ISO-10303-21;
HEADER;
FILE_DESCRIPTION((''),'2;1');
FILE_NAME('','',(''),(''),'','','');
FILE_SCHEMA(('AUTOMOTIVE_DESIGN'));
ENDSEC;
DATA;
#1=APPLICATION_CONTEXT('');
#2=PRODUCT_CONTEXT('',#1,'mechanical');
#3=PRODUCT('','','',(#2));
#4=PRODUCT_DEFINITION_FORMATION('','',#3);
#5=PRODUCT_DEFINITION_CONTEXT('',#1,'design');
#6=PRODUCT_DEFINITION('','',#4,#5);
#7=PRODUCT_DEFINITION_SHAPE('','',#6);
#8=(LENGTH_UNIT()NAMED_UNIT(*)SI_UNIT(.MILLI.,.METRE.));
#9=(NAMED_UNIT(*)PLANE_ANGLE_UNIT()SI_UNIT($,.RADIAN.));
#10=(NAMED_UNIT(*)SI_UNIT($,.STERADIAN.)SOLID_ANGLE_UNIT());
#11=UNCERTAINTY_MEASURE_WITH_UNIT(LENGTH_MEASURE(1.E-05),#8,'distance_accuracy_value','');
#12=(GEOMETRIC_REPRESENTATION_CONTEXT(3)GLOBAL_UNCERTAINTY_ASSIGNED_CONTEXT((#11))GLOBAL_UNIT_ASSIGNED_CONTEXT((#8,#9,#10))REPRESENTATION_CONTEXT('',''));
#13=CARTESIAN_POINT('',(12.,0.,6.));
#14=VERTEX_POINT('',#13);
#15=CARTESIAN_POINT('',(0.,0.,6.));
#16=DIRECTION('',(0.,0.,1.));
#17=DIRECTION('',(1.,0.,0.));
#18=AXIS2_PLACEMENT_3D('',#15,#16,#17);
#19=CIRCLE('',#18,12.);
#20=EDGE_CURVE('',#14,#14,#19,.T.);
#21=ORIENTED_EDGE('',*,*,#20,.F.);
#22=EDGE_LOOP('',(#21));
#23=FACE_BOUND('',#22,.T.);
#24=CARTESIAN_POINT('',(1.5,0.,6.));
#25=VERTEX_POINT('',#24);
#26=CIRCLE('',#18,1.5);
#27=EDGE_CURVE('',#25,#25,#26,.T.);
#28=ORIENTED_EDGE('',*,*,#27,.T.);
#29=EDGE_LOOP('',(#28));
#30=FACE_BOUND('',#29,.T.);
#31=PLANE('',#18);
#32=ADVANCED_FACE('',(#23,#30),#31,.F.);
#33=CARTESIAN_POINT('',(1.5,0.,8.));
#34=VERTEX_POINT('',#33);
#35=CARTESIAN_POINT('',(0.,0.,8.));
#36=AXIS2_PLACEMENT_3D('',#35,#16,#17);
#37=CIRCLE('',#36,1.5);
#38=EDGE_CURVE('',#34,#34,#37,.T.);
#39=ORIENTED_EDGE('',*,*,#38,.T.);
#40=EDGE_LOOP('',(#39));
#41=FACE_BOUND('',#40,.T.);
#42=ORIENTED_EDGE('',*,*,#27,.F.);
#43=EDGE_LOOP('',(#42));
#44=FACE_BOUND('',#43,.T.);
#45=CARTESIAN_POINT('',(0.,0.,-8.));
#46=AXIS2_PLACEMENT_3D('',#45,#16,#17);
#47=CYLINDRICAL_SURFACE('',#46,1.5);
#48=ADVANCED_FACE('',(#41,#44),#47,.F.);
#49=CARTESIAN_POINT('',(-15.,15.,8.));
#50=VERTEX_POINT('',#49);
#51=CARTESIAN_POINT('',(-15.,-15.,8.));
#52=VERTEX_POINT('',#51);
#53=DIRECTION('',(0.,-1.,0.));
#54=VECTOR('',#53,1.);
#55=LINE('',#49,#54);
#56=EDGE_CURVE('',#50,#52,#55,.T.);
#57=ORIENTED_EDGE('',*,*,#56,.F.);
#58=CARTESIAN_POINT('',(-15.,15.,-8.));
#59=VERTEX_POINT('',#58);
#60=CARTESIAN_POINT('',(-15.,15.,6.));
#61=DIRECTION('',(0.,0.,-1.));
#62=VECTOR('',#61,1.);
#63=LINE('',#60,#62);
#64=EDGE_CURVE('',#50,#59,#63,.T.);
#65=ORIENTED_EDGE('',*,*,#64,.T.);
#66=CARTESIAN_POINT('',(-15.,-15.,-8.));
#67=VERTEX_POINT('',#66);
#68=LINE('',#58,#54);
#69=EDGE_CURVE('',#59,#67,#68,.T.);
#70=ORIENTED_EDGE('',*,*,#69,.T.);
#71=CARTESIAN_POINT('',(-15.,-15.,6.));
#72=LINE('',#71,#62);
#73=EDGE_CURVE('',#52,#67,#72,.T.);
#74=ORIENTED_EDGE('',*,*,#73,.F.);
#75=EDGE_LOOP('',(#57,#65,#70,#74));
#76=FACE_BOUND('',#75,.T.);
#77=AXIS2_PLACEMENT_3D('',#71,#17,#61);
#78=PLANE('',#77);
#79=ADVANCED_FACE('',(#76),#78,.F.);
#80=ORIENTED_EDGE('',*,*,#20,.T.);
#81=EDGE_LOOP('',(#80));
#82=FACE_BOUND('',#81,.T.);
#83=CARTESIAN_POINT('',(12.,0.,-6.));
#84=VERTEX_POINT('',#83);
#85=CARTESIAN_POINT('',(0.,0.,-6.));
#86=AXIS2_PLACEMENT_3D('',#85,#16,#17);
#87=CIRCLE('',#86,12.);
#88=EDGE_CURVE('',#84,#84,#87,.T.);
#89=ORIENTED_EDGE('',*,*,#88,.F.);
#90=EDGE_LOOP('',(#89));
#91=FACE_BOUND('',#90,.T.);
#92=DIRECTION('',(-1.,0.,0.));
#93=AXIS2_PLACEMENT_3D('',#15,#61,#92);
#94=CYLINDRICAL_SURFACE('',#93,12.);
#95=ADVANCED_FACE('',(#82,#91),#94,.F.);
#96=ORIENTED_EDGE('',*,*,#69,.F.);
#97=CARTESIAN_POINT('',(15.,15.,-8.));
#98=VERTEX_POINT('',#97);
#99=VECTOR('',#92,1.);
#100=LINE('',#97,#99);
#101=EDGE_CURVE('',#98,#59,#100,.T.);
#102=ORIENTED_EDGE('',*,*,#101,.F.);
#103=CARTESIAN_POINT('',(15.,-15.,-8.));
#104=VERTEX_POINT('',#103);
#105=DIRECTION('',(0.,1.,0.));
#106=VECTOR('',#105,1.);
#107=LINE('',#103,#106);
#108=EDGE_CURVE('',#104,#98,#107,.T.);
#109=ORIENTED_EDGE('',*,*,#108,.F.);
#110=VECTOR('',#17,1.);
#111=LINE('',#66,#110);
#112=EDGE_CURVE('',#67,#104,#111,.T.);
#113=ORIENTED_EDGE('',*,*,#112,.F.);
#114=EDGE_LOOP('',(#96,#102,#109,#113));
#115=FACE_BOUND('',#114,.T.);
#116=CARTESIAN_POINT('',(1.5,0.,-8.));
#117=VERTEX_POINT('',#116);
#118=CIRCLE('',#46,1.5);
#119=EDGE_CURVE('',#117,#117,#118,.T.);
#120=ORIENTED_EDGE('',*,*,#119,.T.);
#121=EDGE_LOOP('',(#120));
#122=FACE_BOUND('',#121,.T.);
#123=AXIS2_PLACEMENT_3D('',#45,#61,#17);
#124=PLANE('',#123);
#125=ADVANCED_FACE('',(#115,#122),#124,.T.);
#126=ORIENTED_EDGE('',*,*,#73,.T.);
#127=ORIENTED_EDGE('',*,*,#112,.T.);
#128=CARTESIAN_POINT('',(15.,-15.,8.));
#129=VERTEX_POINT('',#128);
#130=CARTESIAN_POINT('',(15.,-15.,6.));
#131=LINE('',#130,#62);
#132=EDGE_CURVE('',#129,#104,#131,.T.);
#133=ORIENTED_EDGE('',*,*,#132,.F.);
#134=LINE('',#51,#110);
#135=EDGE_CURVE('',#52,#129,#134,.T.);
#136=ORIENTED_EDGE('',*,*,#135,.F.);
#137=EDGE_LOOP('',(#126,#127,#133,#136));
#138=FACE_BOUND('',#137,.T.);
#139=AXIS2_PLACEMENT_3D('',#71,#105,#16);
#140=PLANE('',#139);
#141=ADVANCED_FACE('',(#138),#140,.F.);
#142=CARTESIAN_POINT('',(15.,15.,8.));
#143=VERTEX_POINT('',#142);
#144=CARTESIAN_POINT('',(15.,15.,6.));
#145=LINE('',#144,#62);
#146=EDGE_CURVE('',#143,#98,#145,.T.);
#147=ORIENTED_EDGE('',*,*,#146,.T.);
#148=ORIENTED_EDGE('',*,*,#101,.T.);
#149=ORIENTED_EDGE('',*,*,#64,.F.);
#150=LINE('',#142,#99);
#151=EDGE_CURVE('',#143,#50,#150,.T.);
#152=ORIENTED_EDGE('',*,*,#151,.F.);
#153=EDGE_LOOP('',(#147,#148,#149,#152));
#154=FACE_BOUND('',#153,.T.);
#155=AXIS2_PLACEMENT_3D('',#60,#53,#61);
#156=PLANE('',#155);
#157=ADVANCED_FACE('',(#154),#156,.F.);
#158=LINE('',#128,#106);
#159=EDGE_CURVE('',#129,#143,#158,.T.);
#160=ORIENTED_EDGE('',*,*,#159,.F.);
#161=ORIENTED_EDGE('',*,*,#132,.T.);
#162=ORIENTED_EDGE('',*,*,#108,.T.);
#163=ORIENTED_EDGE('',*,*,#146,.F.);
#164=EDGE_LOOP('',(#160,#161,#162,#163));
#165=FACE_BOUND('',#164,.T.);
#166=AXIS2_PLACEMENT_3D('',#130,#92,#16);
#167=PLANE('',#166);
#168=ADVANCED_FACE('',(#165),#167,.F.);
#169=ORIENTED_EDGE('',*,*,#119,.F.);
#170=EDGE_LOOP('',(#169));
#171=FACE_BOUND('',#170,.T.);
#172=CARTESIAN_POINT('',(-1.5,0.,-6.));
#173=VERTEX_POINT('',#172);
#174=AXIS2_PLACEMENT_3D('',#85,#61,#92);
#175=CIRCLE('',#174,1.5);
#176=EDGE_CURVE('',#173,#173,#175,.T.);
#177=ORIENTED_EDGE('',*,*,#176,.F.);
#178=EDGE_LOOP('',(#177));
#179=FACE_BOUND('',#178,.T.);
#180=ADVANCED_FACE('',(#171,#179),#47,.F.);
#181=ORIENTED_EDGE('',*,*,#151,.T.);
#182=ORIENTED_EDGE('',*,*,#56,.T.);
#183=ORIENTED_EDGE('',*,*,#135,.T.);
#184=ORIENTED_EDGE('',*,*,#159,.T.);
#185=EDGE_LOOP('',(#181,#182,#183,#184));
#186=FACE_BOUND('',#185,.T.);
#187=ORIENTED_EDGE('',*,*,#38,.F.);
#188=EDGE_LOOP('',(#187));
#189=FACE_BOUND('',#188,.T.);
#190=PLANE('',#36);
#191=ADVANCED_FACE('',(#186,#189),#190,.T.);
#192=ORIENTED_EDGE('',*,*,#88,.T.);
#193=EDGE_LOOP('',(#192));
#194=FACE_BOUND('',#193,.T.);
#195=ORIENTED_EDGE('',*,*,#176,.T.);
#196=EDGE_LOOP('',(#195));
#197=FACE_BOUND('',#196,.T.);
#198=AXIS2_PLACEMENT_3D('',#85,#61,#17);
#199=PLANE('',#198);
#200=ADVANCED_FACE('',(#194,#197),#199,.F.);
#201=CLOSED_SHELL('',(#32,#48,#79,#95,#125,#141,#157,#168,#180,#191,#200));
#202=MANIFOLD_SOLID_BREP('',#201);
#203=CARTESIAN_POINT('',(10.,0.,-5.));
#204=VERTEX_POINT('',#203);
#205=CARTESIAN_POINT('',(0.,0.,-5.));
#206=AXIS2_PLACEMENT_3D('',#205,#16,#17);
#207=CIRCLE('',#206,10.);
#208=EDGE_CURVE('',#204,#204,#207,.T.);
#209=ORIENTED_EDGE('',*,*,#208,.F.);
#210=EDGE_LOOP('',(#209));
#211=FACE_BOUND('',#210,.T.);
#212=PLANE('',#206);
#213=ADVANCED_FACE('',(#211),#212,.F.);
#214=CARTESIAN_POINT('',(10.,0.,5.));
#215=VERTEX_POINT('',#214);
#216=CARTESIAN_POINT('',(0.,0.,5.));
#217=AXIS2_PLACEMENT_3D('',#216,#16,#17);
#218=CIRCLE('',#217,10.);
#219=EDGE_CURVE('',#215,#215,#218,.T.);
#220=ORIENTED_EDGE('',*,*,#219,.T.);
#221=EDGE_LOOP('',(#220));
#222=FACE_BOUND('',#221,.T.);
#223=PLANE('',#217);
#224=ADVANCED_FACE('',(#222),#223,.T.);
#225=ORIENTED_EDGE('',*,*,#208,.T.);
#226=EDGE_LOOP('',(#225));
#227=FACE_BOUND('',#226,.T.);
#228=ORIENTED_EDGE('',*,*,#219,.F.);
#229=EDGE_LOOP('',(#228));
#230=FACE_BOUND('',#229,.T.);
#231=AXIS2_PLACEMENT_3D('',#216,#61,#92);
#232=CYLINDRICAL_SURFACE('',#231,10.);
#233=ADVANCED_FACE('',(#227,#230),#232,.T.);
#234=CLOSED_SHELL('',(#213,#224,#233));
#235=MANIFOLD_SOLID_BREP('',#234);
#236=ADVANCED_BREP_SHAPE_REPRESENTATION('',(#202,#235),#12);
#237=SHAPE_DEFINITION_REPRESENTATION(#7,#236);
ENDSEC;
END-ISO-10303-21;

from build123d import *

# Parameters (mm, degrees)
SKETCH1_R           = 10
BOSS_EXTRUDE1_DEPTH = 5
SKETCH2_W           = 30
SKETCH2_H           = 30
SKETCH2_R           = 12
BOSS_EXTRUDE2_DEPTH = 6
SKETCH3_W           = 30
SKETCH3_H           = 30
BOSS_EXTRUDE3_DEPTH = 2
SKETCH4_R           = 1.5
CUT_EXTRUDE1_DEPTH  = 27.570660511


with BuildPart() as part:
    # Sketch1 → Boss-Extrude1 (new, symmetric)
    with BuildSketch(Plane.XY):
        Circle(SKETCH1_R)
    extrude(amount=BOSS_EXTRUDE1_DEPTH, both=True)


with BuildPart() as body_2:
    # Sketch2 → Boss-Extrude2 (new, symmetric)
    with BuildSketch(Plane.XY):
        Rectangle(SKETCH2_W, SKETCH2_H)
        Circle(SKETCH2_R, mode=Mode.SUBTRACT)
    extrude(amount=BOSS_EXTRUDE2_DEPTH, both=True)

    # Sketch3 → Boss-Extrude3 (add)
    with BuildSketch(Plane.XY.offset(6)):
        Rectangle(SKETCH3_W, SKETCH3_H)
    boss_extrude3 = extrude(amount=BOSS_EXTRUDE3_DEPTH)

    # Mirror1: Boss-Extrude3 across plane
    add(boss_extrude3.mirror(Plane.XY))

    # Sketch4 → Cut-Extrude1 (cut, through all)
    with BuildSketch(Plane.XY.offset(8)):
        Circle(SKETCH4_R)
    extrude(amount=-CUT_EXTRUDE1_DEPTH, mode=Mode.SUBTRACT)


solid = Compound([part.part, body_2.part])
